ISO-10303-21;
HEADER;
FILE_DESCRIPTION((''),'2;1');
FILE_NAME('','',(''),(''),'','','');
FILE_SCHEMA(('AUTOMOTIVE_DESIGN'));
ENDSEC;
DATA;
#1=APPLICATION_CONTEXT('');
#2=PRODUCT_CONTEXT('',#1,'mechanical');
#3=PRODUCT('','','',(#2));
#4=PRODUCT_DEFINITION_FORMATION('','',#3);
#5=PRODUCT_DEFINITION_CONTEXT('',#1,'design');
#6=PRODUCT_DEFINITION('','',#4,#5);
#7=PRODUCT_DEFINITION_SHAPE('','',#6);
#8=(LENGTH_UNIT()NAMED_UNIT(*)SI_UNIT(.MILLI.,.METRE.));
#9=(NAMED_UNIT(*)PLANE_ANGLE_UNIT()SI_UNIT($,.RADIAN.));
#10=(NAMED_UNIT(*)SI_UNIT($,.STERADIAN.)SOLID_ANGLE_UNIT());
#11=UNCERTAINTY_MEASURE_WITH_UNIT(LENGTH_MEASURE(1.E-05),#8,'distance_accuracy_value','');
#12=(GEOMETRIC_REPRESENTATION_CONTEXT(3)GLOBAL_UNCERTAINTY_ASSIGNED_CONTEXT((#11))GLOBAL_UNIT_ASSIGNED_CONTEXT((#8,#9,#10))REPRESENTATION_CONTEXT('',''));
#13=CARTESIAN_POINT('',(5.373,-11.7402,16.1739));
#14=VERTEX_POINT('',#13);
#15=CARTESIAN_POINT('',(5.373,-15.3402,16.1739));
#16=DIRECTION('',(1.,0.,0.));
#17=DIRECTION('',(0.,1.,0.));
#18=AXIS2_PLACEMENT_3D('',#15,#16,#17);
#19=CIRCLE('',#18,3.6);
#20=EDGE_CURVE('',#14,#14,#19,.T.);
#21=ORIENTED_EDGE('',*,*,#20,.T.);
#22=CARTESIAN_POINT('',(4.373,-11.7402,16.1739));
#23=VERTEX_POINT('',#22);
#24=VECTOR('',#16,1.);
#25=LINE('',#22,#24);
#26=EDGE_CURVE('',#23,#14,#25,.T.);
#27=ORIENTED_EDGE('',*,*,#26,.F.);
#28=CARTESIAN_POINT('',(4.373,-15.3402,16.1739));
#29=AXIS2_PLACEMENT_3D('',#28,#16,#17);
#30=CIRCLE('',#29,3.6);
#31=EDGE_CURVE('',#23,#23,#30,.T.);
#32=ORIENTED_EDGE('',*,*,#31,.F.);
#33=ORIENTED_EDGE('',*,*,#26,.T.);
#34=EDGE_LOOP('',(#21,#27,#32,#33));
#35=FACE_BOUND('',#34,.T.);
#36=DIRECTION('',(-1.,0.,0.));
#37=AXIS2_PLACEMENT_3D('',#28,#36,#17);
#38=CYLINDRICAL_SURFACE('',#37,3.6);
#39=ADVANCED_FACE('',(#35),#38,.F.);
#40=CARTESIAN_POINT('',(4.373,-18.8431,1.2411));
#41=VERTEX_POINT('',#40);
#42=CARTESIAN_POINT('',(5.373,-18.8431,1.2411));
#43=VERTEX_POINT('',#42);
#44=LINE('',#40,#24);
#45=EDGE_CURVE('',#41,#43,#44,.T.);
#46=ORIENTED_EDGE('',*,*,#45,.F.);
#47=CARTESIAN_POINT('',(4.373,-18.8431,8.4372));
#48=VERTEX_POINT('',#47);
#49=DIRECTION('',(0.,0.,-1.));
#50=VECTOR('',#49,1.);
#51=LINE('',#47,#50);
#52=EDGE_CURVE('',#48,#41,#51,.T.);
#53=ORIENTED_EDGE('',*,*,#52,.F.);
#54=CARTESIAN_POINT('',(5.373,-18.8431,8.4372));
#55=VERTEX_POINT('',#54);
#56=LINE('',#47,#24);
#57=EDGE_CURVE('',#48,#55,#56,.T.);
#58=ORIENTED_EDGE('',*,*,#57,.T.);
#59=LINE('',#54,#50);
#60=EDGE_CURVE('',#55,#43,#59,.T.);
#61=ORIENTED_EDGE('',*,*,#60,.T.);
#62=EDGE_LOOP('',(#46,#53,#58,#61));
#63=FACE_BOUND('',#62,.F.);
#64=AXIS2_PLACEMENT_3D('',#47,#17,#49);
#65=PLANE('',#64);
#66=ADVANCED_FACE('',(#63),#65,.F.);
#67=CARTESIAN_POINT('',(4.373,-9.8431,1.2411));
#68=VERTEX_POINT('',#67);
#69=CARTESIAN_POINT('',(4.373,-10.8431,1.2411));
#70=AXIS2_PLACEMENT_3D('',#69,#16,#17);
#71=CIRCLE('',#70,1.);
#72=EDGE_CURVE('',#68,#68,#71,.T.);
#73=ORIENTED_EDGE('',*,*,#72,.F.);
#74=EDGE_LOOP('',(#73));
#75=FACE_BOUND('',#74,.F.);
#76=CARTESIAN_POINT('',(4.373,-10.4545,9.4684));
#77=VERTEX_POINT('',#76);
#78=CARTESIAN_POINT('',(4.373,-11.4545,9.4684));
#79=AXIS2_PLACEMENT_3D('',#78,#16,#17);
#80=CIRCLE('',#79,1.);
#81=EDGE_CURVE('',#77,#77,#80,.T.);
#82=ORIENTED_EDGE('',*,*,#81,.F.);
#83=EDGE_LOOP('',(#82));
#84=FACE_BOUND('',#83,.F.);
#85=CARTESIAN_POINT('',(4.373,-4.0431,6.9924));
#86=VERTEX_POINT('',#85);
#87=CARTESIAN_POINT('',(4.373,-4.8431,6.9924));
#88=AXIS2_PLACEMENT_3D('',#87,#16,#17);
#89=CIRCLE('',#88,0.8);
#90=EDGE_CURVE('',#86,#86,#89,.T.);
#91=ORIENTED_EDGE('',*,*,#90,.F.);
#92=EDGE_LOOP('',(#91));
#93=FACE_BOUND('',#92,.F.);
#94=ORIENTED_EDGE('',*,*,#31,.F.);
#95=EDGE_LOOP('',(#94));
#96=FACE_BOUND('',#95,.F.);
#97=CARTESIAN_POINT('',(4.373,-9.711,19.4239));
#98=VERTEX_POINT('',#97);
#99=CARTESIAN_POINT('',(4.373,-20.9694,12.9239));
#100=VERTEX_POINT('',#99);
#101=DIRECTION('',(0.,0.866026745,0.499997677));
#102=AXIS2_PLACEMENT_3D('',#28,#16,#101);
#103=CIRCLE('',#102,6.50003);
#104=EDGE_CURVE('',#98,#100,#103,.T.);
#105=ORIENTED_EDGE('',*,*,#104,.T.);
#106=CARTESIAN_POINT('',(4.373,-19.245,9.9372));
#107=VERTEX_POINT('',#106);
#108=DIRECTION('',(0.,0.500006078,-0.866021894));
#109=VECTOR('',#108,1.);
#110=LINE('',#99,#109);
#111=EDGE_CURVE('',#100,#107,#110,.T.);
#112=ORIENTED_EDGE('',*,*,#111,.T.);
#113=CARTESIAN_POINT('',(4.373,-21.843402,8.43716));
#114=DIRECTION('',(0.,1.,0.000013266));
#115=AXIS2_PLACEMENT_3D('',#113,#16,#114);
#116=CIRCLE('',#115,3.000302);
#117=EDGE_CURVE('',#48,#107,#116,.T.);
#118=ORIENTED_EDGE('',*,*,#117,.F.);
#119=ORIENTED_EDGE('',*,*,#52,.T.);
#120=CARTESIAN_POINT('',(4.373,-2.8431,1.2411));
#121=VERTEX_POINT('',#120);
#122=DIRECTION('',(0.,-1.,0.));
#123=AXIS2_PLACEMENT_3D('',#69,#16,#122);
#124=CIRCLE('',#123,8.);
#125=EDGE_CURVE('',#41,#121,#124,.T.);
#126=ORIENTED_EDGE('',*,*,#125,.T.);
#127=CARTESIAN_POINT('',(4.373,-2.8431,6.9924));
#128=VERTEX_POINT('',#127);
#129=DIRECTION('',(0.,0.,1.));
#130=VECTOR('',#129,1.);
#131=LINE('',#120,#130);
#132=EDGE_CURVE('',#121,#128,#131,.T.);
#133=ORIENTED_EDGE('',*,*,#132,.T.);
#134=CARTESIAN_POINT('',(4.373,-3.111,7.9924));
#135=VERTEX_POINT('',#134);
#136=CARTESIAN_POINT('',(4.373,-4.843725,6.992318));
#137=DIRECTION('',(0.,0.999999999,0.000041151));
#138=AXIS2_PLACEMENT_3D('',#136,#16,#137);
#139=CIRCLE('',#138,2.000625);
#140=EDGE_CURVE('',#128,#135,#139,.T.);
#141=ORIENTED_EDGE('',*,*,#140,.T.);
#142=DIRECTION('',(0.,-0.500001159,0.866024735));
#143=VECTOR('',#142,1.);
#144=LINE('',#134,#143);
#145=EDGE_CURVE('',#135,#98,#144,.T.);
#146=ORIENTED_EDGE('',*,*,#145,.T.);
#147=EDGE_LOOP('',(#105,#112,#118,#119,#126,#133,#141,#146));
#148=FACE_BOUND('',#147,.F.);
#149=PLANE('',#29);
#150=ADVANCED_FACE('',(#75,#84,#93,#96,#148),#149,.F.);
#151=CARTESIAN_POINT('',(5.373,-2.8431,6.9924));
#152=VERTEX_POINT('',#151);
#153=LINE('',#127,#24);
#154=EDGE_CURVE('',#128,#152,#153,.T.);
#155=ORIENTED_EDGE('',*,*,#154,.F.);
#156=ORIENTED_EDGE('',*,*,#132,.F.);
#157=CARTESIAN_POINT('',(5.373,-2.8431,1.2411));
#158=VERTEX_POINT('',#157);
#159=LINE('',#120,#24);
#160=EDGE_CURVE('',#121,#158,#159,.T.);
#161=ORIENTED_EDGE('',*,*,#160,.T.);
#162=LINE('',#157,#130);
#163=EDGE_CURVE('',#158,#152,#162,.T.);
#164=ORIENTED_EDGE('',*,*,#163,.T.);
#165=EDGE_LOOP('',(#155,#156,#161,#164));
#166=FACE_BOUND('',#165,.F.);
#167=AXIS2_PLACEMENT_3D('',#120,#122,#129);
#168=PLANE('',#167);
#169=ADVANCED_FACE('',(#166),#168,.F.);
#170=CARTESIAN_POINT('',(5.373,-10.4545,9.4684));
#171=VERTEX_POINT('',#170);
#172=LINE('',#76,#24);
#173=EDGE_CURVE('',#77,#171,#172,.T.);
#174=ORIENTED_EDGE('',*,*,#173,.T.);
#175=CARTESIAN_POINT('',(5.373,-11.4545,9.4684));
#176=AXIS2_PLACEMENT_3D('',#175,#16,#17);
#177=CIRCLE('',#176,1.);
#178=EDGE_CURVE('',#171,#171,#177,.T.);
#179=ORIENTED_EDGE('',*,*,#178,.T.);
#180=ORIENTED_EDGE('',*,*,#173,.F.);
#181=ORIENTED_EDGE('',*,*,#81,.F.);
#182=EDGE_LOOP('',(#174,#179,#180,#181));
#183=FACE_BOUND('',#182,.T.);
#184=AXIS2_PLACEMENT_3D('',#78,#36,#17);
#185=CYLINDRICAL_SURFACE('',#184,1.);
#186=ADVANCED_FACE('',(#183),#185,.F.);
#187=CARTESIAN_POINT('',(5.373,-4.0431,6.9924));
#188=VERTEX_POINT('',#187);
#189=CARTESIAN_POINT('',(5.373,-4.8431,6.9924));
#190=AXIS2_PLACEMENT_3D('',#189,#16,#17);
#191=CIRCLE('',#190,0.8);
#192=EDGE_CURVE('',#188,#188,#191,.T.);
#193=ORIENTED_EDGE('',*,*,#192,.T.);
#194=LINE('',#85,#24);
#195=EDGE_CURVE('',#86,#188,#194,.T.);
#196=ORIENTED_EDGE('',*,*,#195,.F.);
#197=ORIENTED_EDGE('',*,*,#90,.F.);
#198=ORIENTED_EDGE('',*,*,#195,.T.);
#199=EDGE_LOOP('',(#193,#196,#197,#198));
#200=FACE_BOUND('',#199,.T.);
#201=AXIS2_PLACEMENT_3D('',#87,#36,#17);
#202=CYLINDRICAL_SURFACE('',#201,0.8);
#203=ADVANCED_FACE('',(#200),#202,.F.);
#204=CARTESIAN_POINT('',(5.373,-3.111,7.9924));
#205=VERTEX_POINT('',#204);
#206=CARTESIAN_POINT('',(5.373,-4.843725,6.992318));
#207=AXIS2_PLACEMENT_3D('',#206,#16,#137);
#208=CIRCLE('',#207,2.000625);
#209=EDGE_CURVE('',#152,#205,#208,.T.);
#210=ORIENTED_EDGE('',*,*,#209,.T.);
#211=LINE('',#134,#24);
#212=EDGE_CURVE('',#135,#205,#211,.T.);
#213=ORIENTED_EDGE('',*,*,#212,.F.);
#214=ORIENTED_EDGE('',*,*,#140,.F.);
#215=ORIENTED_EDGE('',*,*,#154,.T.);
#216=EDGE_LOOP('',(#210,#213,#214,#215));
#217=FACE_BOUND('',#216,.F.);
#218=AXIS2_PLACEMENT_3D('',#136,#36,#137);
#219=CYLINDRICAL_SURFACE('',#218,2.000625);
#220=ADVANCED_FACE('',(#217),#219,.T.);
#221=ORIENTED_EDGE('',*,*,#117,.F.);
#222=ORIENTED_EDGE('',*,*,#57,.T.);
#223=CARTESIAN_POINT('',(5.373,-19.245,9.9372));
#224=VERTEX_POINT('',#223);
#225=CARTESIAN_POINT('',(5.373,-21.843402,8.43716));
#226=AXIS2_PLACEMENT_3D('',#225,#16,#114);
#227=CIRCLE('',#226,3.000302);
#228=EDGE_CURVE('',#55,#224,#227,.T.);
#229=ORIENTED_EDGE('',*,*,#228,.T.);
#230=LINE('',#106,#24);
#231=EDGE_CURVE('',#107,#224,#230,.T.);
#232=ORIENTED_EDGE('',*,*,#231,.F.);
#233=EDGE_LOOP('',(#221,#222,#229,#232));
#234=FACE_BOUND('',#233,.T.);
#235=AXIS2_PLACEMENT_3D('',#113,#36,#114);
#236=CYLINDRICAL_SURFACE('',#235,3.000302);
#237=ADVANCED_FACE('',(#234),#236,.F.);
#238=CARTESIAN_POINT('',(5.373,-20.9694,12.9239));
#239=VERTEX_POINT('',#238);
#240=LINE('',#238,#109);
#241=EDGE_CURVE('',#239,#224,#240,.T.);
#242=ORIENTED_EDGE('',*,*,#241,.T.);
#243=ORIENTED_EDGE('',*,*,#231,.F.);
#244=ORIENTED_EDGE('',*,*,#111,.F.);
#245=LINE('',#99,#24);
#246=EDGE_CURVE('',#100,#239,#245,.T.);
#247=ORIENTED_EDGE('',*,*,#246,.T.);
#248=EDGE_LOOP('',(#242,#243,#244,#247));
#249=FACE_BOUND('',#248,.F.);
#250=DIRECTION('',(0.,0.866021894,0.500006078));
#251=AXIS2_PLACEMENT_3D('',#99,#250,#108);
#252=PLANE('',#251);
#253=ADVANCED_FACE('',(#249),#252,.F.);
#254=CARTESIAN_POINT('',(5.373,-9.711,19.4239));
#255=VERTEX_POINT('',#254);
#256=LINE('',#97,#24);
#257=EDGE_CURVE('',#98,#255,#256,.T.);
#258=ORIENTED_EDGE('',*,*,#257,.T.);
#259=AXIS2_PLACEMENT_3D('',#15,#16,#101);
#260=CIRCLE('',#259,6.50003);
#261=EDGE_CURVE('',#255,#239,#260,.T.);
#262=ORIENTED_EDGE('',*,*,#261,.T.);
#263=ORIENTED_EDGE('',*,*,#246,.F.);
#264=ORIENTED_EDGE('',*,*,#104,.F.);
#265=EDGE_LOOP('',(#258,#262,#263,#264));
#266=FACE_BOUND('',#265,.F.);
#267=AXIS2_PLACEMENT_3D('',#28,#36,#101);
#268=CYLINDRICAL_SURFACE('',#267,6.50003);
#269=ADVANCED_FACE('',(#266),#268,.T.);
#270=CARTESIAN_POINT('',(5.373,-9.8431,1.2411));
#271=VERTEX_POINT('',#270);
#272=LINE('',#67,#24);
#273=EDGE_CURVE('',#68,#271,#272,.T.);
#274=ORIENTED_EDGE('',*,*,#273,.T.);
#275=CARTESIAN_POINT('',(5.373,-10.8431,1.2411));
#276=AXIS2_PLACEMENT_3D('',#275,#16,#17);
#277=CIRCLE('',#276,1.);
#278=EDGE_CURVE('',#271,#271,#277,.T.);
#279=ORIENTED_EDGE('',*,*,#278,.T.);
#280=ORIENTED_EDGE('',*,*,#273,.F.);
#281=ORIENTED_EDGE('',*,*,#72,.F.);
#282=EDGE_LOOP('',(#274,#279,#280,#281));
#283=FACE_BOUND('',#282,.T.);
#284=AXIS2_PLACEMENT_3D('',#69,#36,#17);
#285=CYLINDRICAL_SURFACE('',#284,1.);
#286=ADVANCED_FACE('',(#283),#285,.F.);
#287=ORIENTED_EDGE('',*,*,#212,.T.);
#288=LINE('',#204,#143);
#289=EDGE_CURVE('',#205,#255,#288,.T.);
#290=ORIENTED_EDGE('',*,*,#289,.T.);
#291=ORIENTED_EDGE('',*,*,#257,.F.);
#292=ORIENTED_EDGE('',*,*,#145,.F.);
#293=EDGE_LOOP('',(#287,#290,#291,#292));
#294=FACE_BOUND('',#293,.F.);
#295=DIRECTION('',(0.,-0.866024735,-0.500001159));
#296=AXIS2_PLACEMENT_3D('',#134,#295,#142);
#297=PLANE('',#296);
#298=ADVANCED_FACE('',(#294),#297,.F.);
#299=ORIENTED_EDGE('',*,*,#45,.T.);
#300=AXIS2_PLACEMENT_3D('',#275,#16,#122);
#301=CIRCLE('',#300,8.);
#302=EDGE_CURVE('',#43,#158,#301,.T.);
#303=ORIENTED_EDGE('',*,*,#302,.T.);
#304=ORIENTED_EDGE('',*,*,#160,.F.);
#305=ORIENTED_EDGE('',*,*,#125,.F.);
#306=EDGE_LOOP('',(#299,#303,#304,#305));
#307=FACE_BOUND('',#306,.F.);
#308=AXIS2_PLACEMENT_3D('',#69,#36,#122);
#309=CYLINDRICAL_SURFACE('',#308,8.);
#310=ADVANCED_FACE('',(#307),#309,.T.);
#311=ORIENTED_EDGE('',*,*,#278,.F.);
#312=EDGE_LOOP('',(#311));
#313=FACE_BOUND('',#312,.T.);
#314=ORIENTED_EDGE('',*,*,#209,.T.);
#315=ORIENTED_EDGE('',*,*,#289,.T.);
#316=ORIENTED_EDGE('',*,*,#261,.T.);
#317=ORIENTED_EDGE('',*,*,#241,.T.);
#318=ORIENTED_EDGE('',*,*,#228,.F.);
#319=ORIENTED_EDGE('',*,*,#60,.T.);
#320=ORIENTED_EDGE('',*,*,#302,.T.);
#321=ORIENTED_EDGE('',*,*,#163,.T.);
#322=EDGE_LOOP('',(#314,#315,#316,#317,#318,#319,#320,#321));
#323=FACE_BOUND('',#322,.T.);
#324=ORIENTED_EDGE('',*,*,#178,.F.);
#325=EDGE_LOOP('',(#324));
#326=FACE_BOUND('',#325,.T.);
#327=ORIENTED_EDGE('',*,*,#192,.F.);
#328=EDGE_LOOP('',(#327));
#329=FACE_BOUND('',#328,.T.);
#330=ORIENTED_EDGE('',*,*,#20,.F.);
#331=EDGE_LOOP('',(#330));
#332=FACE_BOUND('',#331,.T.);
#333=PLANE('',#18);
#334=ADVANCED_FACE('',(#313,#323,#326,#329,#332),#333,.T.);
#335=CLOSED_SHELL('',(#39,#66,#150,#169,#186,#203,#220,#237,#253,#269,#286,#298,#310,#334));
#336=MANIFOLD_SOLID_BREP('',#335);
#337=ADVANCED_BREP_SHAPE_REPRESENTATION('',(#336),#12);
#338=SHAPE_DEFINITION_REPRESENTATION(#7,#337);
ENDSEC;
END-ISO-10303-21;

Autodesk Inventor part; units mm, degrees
ref_plane "YZ Plane" through (0, 0, 0) normal (1, 0, 0) x (0, 1, 0)
ref_plane "XZ Plane" through (0, 0, 0) normal (0, 1, 0) x (-1, 0, 0)
ref_plane "XY Plane" through (0, 0, 0) normal (0, 0, 1) x (1, 0, 0)
ref_plane "作業平面1" through (4.373, -15.3402, 16.1739) normal (1, 0, 0) x (0, 1, 0)
sketch "スケッチ1" plane through (4.373, -15.3402, 16.1739) normal (1, 0, 0) x (0, 1, 0)
  circle A0 centre (0, 0) radius 3.6 projected
  circle A1 centre (4.4971, -14.9328) radius 1 projected
  circle A2 centre (3.8857, -6.7055) radius 1 projected
  circle A3 centre (10.4971, -9.1815) radius 0.8 projected
  arc A4 (-3.5029, -14.9328) -> (12.4971, -14.9328) centre (4.4971, -14.9328) ccw projected
  line L0 (12.4971, -14.9328) -> (12.4971, -9.1815) projected
  arc A5 (12.4971, -9.1815) -> (12.2292, -8.1815) centre (10.4971, -9.1815) ccw projected
  line L1 (12.2292, -8.1815) -> (5.6292, 3.25) projected
  arc A6 (5.6292, 3.25) -> (-5.6292, -3.25) centre (0, 0) ccw projected
  line L2 (-5.6292, -3.25) -> (-3.9048, -6.2367) projected
  arc A7 (-3.5029, -7.7367) -> (-3.9048, -6.2367) centre (-6.5029, -7.7367) ccw projected
  line L3 (-3.5029, -7.7367) -> (-3.5029, -14.9328) projected
  point P0 (15.3402, -16.1739)
extrude "押し出し1" add sketch "スケッチ1" along normal blind 1
properties part number "DCX16_Mount"
